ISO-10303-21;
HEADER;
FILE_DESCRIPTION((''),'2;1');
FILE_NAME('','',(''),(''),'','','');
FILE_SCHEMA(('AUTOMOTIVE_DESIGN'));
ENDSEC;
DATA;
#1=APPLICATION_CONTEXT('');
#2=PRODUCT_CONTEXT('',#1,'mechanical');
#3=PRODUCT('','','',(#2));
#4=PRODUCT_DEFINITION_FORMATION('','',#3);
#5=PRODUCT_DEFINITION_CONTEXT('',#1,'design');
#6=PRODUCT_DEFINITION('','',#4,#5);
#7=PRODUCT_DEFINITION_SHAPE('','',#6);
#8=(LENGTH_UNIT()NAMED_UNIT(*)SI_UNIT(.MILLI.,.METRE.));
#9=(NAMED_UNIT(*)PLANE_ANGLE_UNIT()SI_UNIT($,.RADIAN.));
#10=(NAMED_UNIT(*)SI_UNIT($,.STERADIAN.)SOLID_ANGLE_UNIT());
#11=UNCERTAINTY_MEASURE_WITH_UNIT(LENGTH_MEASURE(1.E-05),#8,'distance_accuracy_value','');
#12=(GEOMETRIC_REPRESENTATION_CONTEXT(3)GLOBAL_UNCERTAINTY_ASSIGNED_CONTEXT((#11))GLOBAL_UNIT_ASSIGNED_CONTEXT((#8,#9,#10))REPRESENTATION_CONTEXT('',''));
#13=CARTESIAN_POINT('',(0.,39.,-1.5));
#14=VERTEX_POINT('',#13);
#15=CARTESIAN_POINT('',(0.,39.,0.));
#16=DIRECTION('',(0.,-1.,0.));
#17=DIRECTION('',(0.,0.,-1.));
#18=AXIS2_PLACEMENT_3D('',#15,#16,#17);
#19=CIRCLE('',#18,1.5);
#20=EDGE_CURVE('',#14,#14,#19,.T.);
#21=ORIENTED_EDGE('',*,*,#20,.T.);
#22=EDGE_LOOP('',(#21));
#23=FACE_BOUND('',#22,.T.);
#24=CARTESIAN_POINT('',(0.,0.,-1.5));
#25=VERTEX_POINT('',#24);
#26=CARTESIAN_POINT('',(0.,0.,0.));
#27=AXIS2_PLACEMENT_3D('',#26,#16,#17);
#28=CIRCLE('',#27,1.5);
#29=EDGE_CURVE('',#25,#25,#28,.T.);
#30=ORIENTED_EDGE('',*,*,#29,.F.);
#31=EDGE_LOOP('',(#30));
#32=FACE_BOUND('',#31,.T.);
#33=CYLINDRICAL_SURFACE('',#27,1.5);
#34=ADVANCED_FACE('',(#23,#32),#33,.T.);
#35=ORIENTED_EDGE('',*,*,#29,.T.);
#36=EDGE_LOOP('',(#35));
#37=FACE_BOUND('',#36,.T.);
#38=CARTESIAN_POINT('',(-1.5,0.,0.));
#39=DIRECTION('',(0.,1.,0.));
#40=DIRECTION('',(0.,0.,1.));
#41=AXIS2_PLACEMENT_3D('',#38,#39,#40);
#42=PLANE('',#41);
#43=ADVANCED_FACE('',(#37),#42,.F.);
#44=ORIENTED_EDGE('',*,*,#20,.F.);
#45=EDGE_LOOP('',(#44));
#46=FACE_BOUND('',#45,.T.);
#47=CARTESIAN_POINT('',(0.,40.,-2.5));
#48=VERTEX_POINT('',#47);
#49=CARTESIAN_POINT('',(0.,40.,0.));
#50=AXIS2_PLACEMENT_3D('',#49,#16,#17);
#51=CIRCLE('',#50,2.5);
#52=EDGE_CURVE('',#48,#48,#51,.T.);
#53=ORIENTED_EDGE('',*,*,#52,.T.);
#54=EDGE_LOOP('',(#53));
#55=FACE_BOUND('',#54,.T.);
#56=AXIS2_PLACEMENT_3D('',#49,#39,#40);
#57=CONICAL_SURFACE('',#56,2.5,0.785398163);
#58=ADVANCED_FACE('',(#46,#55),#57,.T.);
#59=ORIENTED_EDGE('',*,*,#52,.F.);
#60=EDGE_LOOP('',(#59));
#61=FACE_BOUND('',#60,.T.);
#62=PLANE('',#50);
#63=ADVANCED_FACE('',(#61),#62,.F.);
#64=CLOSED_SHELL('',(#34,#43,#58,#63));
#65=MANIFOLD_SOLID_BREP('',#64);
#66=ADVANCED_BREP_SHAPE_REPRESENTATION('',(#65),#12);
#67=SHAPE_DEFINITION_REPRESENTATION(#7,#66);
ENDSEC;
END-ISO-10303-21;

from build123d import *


with BuildPart() as part:
    # vf → Revolve1 (revolve)
    with BuildSketch(Plane.XY, mode=Mode.PRIVATE) as revolve1_sk:
        Polygon((0, 40), (-2.5, 40), (-1.5, 39), (-1.5, 0), (0, 0), align=None)
    revolve(revolve1_sk.sketch.rotate(Axis((0, 0, 0), (0, 1, 0)), 270), axis=Axis((0, 0, 0), (0, 1, 0)))


solid = part.part
